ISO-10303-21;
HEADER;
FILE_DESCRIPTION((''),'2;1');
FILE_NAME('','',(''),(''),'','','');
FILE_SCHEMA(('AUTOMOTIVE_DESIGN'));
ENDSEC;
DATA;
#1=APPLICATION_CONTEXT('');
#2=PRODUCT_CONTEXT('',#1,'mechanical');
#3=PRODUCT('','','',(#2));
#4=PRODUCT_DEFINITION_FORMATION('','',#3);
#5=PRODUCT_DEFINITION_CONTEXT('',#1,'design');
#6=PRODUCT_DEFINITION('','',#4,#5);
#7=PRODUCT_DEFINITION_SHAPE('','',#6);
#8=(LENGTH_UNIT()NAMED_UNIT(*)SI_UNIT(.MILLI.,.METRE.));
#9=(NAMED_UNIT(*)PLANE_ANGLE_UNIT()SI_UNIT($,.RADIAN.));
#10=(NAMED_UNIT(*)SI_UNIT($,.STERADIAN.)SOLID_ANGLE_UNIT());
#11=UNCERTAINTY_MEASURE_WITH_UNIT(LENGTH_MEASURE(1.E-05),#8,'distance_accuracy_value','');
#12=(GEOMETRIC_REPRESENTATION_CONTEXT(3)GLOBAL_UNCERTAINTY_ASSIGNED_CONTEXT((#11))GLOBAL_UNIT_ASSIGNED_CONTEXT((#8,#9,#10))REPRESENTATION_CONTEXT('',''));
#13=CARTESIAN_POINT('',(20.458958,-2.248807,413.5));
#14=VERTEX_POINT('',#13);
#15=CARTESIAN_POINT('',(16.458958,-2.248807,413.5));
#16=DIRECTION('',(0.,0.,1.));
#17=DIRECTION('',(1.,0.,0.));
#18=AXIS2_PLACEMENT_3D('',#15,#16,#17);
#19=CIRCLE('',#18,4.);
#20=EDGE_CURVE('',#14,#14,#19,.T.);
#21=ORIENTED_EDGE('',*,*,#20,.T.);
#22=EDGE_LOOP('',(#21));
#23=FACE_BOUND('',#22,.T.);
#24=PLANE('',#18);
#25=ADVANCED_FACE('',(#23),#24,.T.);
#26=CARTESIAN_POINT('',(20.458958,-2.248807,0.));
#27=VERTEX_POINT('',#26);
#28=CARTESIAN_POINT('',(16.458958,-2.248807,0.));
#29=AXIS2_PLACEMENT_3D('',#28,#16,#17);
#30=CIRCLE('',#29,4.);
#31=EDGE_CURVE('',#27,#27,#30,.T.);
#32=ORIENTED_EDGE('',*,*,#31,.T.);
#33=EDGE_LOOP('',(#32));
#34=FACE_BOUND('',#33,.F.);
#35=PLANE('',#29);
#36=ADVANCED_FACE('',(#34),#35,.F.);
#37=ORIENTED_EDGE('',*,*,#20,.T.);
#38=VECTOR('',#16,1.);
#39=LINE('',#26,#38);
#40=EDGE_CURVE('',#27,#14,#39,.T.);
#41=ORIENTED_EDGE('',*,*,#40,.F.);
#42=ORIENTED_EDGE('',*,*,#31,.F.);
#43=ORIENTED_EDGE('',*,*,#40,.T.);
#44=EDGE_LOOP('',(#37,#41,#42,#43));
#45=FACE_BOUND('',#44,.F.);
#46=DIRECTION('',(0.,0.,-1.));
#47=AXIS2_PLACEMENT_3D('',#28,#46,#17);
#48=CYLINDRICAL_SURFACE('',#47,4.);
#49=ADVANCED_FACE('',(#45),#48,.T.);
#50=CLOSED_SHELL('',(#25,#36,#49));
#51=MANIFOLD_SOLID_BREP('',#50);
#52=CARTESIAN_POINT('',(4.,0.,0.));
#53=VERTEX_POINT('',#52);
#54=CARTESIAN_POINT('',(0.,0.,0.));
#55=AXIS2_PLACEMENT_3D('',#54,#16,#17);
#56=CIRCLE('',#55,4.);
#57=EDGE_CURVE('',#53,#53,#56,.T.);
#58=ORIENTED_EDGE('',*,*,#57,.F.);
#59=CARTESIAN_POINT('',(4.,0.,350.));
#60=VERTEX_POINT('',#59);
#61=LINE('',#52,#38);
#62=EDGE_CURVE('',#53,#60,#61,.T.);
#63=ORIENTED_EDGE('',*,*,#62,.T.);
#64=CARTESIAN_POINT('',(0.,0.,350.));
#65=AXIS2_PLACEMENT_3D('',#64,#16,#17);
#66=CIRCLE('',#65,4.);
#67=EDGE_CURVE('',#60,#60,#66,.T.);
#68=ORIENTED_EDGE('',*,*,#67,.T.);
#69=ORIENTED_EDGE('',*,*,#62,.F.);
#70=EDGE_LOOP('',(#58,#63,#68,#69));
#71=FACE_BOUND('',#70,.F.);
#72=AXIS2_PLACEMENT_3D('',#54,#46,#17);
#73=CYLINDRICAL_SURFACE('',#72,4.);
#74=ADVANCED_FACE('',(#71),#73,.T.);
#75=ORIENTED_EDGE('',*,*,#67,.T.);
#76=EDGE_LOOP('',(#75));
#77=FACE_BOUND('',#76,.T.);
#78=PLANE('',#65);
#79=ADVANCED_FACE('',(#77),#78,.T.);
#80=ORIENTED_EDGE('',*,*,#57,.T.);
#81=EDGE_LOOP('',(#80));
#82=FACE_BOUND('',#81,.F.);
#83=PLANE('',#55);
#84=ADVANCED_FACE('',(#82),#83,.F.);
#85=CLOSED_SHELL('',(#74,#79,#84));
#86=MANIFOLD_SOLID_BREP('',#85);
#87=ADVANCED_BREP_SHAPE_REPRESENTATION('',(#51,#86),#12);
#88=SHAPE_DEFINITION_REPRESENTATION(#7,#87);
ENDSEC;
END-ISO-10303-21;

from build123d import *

# Parameters (mm, degrees)
F0_R     = 4
F1_DEPTH = 350
F2_DEPTH = 413.5


with BuildPart() as f1:
    # F0 (on Top) → F1 (new body)
    with BuildSketch(Plane.XY):
        Circle(F0_R)
    extrude(amount=F1_DEPTH)


with BuildPart() as f2:
    # F0 (on Top) → F2 (new body)
    with BuildSketch(Plane.XY):
        with Locations((16.458958, -2.248807)):
            Circle(F0_R)
    extrude(amount=F2_DEPTH)


solid = Compound([f1.part, f2.part])
